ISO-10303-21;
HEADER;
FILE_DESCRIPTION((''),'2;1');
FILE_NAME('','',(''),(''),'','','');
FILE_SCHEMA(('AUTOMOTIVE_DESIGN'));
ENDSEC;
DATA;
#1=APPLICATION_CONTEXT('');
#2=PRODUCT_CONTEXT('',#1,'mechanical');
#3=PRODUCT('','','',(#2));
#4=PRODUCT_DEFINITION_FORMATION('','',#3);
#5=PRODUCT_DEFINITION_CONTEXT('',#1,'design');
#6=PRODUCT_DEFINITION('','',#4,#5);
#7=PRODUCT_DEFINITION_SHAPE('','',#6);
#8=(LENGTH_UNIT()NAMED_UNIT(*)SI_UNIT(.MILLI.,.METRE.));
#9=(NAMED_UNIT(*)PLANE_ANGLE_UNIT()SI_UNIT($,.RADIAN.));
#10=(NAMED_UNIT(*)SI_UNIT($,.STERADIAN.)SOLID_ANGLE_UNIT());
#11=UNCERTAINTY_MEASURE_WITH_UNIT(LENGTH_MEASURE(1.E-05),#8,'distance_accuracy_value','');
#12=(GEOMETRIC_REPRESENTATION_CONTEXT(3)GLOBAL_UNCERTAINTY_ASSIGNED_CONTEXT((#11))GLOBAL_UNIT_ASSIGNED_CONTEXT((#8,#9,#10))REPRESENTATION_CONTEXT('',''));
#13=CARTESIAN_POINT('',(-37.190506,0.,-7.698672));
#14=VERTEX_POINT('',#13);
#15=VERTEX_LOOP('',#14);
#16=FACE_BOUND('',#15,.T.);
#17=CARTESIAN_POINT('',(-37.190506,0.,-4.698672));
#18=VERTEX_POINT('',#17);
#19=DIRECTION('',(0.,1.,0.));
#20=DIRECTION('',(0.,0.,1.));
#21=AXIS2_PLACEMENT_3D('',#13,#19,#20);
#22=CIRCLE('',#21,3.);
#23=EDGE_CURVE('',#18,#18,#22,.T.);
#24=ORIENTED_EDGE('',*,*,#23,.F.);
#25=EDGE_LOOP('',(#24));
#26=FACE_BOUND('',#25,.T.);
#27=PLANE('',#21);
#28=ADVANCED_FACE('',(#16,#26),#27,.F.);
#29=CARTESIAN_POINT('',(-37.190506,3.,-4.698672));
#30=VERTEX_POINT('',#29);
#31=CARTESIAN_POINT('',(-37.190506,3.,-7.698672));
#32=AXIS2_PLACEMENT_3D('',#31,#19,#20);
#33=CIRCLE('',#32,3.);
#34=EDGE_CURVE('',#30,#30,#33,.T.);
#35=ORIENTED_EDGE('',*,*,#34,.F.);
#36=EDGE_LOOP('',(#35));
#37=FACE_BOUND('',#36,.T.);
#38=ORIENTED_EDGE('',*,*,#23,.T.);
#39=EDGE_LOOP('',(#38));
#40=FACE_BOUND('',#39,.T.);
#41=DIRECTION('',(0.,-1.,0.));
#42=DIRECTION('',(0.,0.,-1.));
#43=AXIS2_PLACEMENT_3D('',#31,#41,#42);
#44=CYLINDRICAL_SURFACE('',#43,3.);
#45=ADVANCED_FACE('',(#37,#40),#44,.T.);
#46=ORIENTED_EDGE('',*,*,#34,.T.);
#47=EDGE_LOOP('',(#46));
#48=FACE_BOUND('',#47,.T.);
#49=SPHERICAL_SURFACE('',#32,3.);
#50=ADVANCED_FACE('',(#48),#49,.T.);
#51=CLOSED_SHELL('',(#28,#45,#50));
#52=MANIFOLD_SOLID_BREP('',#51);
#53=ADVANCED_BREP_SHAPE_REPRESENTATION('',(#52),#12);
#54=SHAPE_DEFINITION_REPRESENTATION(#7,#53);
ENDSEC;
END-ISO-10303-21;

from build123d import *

# Parameters (mm, degrees)
SKETCH1_R           = 3
BOSS_EXTRUDE1_DEPTH = 3


with BuildPart() as part:
    # Sketch1 → Boss-Extrude1 (new body)
    with BuildSketch(Plane(origin=(0, 0, 0), x_dir=(1, 0, 0), z_dir=(0, 1, 0))):
        with Locations((-37.190505929, 7.698671609)):
            Circle(SKETCH1_R)
    extrude(amount=BOSS_EXTRUDE1_DEPTH)

    # Sketch2 → Revolve1 (revolve)
    with BuildSketch(Plane(origin=(0, 3, 0), x_dir=(1, 0, 0), z_dir=(0, 1, 0))):
        with BuildLine():
            Line((-37.190505929, 10.698671609), (-37.190505929, 4.698671609))
            ThreePointArc((-37.190505929, 4.698671609), (-40.190505929, 7.698671609), (-37.190505929, 10.698671609))
        make_face()
    revolve(axis=Axis((-37.190505929, 3, -10.698671609), (0, 0, 1)))


solid = part.part
